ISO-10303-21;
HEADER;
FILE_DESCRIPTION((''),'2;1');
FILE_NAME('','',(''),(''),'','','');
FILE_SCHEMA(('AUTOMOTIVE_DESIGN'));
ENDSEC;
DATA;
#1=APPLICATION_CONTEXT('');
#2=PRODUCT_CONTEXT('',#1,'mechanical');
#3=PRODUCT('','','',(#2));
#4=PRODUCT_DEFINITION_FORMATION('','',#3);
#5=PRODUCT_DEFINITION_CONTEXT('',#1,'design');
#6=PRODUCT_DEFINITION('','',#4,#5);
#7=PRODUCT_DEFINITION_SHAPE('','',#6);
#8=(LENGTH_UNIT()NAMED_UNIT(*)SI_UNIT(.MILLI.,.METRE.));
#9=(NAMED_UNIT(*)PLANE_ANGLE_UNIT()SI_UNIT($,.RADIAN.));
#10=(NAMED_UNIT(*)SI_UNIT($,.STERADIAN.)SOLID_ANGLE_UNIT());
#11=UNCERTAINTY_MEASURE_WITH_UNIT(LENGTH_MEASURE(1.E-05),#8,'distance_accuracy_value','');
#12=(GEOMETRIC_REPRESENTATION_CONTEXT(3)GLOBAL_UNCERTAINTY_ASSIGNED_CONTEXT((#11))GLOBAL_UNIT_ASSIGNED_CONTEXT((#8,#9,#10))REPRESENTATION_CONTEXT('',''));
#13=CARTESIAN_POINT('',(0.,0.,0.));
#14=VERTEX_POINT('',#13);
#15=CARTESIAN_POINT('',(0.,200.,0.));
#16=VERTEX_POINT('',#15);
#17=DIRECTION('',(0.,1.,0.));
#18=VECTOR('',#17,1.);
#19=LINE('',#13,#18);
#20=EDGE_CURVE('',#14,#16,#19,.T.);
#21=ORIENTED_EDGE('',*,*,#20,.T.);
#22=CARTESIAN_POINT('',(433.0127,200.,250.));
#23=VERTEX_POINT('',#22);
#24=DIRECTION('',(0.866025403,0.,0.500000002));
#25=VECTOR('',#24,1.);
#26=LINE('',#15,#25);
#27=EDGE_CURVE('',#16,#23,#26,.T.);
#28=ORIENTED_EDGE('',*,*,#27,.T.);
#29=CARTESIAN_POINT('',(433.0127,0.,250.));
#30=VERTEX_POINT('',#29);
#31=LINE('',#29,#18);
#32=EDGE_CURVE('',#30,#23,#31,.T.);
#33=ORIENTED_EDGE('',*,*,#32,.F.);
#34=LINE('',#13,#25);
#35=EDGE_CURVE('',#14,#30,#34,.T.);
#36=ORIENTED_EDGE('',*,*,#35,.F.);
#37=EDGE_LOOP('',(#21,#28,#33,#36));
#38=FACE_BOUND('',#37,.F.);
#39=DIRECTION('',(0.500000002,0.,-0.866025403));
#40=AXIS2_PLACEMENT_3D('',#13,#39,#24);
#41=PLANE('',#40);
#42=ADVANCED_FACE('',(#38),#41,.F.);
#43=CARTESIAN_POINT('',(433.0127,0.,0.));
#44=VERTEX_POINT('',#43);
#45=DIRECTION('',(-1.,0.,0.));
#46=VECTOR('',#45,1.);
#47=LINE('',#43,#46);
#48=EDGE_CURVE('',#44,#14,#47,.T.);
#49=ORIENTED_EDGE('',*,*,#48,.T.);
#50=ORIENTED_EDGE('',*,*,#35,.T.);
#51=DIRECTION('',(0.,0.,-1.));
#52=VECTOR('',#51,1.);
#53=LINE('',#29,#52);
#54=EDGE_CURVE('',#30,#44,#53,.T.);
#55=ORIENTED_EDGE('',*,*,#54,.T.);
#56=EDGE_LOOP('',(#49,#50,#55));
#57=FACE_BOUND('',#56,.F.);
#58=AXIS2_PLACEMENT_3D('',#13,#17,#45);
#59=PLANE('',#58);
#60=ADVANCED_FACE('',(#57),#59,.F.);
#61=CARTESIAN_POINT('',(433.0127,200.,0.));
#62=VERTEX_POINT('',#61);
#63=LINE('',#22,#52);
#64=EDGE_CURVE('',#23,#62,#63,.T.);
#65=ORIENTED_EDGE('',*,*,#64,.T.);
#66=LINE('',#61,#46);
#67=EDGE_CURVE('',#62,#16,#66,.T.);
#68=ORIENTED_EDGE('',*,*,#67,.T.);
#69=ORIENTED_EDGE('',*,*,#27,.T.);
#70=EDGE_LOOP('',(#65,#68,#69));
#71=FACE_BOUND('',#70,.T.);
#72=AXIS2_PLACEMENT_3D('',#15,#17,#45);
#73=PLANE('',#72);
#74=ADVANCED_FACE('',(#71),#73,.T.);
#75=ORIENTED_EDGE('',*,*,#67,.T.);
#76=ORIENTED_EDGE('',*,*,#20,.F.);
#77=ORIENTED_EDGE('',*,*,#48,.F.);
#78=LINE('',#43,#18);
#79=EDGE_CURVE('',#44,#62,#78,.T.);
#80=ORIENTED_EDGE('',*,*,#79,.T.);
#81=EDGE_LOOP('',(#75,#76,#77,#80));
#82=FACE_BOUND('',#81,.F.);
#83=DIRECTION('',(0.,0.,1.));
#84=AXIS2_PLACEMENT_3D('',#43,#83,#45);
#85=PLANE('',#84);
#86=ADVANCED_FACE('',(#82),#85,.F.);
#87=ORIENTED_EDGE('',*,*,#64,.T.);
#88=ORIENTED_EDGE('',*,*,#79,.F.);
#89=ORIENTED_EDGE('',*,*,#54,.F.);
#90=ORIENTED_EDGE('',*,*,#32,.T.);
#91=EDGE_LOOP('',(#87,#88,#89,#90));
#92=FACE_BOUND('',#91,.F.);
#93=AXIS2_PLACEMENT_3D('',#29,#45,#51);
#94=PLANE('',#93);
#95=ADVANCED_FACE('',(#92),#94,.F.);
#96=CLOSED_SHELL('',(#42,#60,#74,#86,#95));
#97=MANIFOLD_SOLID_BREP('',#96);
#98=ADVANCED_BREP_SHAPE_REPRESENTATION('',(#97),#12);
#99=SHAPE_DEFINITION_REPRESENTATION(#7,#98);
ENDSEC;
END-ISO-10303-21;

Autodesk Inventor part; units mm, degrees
ref_plane "YZ Plane" through (0, 0, 0) normal (1, 0, 0) x (0, 1, 0)
ref_plane "XZ Plane" through (0, 0, 0) normal (0, 1, 0) x (-1, 0, 0)
ref_plane "XY Plane" through (0, 0, 0) normal (0, 0, 1) x (1, 0, 0)
sketch "Sketch2" plane through (0, 0, 0) normal (0, 1, 0) x (-1, 0, 0)
  line L0 (0, 0) -> (-433.0127, 250)
  line L1 (0, 0) -> (500, 0) construction
  line L2 (-433.0127, 250) -> (-433.0127, 0)
  line L3 (-433.0127, 0) -> (0, 0)
  dimension "d4" = 500
  dimension "d5" = 150
extrude "Extrusion2" add sketch "Sketch2" along normal blind 200
sketch "Sketch3" plane through (0, 0, 0) normal (0, -1, 0) x (1, 0, 0)
  point P0 (0, 0)
properties part number "Wedge"
